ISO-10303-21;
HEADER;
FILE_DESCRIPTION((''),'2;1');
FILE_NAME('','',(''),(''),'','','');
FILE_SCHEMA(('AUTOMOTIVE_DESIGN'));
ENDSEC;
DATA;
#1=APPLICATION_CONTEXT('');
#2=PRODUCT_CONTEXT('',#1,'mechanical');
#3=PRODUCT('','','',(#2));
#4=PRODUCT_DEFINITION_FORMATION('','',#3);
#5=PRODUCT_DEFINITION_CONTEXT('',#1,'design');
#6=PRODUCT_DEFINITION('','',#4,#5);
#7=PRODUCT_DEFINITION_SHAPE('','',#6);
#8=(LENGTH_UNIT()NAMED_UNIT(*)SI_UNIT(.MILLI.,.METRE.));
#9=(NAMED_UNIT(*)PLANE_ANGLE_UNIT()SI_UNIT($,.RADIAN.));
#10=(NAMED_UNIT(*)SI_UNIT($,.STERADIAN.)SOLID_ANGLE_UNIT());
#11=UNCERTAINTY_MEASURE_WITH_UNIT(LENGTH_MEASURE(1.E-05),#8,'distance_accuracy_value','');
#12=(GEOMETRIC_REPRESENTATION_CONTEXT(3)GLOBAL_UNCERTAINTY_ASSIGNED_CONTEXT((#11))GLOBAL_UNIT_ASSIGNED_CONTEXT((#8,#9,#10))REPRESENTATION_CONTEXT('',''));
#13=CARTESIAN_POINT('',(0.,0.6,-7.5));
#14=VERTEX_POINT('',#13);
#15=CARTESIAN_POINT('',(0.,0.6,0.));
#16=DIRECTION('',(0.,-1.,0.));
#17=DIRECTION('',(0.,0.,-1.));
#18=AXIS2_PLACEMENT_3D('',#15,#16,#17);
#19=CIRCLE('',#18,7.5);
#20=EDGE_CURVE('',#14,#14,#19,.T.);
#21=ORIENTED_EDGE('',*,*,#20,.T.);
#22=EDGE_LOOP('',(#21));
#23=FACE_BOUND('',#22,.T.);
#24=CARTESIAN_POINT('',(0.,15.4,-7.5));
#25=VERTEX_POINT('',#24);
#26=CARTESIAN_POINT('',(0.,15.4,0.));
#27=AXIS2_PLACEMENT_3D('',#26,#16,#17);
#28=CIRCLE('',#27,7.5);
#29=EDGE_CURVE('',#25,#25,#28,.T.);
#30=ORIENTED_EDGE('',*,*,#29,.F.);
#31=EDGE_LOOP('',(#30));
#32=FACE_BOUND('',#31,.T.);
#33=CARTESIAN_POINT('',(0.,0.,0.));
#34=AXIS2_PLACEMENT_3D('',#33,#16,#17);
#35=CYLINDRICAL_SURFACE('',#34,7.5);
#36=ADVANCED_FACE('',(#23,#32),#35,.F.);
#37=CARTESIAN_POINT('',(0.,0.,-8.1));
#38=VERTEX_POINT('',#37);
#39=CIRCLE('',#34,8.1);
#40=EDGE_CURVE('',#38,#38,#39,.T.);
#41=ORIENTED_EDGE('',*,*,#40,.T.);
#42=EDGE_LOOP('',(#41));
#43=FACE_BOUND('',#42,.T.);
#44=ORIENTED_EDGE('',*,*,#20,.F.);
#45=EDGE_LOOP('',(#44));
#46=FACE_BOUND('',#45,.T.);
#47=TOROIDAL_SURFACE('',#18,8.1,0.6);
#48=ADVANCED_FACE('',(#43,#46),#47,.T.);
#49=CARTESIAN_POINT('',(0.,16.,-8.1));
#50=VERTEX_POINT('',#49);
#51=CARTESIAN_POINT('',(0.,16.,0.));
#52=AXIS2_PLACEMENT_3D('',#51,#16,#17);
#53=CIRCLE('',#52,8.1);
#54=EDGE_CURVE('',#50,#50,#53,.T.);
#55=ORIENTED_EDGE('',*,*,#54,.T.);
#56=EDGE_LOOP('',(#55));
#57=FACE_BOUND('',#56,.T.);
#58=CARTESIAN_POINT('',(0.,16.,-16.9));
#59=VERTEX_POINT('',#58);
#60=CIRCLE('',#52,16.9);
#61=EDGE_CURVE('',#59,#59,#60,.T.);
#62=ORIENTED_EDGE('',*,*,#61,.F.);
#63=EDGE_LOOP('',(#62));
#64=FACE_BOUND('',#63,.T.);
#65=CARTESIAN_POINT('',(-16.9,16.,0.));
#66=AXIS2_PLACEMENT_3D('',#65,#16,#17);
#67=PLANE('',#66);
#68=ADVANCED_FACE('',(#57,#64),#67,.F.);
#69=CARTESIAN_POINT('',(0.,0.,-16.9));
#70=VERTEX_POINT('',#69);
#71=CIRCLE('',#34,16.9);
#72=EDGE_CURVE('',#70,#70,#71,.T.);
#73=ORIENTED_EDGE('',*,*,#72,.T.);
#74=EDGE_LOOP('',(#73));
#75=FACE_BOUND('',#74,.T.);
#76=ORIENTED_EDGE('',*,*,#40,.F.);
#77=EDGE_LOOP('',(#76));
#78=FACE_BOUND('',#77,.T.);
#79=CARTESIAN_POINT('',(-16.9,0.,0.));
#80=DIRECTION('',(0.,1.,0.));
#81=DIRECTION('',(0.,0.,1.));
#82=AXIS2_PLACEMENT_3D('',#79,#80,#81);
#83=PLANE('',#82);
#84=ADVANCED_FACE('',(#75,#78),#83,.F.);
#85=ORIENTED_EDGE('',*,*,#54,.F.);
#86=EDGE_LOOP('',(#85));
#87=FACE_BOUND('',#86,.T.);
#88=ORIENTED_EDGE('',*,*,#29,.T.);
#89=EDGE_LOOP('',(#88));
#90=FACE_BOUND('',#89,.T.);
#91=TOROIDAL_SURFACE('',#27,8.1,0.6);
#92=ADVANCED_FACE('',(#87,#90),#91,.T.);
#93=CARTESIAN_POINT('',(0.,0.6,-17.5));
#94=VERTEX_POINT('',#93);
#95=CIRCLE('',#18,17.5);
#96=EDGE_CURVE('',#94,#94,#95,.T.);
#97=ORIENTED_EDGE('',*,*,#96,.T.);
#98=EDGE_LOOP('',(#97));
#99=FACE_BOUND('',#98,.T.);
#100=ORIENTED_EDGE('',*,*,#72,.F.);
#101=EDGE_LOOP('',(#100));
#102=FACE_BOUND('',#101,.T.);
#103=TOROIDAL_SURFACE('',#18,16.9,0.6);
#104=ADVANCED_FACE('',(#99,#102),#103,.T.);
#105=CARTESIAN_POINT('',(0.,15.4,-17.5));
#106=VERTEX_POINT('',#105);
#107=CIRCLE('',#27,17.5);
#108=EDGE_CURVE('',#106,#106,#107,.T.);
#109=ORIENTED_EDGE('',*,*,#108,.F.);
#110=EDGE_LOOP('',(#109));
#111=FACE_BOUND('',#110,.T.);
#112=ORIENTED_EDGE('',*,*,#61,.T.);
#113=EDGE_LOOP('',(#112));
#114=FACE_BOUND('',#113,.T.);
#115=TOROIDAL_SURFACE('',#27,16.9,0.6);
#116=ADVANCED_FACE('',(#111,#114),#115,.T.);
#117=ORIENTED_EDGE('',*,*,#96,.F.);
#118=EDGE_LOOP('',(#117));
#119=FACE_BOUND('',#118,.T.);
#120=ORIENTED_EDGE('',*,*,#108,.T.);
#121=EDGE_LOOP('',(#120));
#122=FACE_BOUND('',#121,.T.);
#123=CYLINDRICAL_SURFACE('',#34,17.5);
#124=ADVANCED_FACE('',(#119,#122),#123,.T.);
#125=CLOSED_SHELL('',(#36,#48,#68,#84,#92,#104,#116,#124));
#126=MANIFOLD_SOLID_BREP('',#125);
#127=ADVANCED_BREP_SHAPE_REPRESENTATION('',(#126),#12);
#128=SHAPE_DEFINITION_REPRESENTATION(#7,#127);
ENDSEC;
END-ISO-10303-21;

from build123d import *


with BuildPart() as part:
    # Szkic1 → Obrót1 (revolve)
    with BuildSketch(Plane.XY, mode=Mode.PRIVATE) as obr_t1_sk:
        with BuildLine():
            Line((-17.5, 15.4), (-17.5, 0.6))
            ThreePointArc((-17.5, 0.6), (-17.324264069, 0.175735931), (-16.9, 0))
            Line((-16.9, 0), (-8.1, 0))
            ThreePointArc((-8.1, 0), (-7.675735931, 0.175735931), (-7.5, 0.6))
            Line((-7.5, 0.6), (-7.5, 15.4))
            ThreePointArc((-7.5, 15.4), (-7.675735931, 15.824264069), (-8.1, 16))
            Line((-8.1, 16), (-16.9, 16))
            ThreePointArc((-16.9, 16), (-17.324264069, 15.824264069), (-17.5, 15.4))
        make_face()
    revolve(obr_t1_sk.sketch.rotate(Axis((0, 0, 0), (0, 1, 0)), 270), axis=Axis((0, 0, 0), (0, 1, 0)))


solid = part.part
